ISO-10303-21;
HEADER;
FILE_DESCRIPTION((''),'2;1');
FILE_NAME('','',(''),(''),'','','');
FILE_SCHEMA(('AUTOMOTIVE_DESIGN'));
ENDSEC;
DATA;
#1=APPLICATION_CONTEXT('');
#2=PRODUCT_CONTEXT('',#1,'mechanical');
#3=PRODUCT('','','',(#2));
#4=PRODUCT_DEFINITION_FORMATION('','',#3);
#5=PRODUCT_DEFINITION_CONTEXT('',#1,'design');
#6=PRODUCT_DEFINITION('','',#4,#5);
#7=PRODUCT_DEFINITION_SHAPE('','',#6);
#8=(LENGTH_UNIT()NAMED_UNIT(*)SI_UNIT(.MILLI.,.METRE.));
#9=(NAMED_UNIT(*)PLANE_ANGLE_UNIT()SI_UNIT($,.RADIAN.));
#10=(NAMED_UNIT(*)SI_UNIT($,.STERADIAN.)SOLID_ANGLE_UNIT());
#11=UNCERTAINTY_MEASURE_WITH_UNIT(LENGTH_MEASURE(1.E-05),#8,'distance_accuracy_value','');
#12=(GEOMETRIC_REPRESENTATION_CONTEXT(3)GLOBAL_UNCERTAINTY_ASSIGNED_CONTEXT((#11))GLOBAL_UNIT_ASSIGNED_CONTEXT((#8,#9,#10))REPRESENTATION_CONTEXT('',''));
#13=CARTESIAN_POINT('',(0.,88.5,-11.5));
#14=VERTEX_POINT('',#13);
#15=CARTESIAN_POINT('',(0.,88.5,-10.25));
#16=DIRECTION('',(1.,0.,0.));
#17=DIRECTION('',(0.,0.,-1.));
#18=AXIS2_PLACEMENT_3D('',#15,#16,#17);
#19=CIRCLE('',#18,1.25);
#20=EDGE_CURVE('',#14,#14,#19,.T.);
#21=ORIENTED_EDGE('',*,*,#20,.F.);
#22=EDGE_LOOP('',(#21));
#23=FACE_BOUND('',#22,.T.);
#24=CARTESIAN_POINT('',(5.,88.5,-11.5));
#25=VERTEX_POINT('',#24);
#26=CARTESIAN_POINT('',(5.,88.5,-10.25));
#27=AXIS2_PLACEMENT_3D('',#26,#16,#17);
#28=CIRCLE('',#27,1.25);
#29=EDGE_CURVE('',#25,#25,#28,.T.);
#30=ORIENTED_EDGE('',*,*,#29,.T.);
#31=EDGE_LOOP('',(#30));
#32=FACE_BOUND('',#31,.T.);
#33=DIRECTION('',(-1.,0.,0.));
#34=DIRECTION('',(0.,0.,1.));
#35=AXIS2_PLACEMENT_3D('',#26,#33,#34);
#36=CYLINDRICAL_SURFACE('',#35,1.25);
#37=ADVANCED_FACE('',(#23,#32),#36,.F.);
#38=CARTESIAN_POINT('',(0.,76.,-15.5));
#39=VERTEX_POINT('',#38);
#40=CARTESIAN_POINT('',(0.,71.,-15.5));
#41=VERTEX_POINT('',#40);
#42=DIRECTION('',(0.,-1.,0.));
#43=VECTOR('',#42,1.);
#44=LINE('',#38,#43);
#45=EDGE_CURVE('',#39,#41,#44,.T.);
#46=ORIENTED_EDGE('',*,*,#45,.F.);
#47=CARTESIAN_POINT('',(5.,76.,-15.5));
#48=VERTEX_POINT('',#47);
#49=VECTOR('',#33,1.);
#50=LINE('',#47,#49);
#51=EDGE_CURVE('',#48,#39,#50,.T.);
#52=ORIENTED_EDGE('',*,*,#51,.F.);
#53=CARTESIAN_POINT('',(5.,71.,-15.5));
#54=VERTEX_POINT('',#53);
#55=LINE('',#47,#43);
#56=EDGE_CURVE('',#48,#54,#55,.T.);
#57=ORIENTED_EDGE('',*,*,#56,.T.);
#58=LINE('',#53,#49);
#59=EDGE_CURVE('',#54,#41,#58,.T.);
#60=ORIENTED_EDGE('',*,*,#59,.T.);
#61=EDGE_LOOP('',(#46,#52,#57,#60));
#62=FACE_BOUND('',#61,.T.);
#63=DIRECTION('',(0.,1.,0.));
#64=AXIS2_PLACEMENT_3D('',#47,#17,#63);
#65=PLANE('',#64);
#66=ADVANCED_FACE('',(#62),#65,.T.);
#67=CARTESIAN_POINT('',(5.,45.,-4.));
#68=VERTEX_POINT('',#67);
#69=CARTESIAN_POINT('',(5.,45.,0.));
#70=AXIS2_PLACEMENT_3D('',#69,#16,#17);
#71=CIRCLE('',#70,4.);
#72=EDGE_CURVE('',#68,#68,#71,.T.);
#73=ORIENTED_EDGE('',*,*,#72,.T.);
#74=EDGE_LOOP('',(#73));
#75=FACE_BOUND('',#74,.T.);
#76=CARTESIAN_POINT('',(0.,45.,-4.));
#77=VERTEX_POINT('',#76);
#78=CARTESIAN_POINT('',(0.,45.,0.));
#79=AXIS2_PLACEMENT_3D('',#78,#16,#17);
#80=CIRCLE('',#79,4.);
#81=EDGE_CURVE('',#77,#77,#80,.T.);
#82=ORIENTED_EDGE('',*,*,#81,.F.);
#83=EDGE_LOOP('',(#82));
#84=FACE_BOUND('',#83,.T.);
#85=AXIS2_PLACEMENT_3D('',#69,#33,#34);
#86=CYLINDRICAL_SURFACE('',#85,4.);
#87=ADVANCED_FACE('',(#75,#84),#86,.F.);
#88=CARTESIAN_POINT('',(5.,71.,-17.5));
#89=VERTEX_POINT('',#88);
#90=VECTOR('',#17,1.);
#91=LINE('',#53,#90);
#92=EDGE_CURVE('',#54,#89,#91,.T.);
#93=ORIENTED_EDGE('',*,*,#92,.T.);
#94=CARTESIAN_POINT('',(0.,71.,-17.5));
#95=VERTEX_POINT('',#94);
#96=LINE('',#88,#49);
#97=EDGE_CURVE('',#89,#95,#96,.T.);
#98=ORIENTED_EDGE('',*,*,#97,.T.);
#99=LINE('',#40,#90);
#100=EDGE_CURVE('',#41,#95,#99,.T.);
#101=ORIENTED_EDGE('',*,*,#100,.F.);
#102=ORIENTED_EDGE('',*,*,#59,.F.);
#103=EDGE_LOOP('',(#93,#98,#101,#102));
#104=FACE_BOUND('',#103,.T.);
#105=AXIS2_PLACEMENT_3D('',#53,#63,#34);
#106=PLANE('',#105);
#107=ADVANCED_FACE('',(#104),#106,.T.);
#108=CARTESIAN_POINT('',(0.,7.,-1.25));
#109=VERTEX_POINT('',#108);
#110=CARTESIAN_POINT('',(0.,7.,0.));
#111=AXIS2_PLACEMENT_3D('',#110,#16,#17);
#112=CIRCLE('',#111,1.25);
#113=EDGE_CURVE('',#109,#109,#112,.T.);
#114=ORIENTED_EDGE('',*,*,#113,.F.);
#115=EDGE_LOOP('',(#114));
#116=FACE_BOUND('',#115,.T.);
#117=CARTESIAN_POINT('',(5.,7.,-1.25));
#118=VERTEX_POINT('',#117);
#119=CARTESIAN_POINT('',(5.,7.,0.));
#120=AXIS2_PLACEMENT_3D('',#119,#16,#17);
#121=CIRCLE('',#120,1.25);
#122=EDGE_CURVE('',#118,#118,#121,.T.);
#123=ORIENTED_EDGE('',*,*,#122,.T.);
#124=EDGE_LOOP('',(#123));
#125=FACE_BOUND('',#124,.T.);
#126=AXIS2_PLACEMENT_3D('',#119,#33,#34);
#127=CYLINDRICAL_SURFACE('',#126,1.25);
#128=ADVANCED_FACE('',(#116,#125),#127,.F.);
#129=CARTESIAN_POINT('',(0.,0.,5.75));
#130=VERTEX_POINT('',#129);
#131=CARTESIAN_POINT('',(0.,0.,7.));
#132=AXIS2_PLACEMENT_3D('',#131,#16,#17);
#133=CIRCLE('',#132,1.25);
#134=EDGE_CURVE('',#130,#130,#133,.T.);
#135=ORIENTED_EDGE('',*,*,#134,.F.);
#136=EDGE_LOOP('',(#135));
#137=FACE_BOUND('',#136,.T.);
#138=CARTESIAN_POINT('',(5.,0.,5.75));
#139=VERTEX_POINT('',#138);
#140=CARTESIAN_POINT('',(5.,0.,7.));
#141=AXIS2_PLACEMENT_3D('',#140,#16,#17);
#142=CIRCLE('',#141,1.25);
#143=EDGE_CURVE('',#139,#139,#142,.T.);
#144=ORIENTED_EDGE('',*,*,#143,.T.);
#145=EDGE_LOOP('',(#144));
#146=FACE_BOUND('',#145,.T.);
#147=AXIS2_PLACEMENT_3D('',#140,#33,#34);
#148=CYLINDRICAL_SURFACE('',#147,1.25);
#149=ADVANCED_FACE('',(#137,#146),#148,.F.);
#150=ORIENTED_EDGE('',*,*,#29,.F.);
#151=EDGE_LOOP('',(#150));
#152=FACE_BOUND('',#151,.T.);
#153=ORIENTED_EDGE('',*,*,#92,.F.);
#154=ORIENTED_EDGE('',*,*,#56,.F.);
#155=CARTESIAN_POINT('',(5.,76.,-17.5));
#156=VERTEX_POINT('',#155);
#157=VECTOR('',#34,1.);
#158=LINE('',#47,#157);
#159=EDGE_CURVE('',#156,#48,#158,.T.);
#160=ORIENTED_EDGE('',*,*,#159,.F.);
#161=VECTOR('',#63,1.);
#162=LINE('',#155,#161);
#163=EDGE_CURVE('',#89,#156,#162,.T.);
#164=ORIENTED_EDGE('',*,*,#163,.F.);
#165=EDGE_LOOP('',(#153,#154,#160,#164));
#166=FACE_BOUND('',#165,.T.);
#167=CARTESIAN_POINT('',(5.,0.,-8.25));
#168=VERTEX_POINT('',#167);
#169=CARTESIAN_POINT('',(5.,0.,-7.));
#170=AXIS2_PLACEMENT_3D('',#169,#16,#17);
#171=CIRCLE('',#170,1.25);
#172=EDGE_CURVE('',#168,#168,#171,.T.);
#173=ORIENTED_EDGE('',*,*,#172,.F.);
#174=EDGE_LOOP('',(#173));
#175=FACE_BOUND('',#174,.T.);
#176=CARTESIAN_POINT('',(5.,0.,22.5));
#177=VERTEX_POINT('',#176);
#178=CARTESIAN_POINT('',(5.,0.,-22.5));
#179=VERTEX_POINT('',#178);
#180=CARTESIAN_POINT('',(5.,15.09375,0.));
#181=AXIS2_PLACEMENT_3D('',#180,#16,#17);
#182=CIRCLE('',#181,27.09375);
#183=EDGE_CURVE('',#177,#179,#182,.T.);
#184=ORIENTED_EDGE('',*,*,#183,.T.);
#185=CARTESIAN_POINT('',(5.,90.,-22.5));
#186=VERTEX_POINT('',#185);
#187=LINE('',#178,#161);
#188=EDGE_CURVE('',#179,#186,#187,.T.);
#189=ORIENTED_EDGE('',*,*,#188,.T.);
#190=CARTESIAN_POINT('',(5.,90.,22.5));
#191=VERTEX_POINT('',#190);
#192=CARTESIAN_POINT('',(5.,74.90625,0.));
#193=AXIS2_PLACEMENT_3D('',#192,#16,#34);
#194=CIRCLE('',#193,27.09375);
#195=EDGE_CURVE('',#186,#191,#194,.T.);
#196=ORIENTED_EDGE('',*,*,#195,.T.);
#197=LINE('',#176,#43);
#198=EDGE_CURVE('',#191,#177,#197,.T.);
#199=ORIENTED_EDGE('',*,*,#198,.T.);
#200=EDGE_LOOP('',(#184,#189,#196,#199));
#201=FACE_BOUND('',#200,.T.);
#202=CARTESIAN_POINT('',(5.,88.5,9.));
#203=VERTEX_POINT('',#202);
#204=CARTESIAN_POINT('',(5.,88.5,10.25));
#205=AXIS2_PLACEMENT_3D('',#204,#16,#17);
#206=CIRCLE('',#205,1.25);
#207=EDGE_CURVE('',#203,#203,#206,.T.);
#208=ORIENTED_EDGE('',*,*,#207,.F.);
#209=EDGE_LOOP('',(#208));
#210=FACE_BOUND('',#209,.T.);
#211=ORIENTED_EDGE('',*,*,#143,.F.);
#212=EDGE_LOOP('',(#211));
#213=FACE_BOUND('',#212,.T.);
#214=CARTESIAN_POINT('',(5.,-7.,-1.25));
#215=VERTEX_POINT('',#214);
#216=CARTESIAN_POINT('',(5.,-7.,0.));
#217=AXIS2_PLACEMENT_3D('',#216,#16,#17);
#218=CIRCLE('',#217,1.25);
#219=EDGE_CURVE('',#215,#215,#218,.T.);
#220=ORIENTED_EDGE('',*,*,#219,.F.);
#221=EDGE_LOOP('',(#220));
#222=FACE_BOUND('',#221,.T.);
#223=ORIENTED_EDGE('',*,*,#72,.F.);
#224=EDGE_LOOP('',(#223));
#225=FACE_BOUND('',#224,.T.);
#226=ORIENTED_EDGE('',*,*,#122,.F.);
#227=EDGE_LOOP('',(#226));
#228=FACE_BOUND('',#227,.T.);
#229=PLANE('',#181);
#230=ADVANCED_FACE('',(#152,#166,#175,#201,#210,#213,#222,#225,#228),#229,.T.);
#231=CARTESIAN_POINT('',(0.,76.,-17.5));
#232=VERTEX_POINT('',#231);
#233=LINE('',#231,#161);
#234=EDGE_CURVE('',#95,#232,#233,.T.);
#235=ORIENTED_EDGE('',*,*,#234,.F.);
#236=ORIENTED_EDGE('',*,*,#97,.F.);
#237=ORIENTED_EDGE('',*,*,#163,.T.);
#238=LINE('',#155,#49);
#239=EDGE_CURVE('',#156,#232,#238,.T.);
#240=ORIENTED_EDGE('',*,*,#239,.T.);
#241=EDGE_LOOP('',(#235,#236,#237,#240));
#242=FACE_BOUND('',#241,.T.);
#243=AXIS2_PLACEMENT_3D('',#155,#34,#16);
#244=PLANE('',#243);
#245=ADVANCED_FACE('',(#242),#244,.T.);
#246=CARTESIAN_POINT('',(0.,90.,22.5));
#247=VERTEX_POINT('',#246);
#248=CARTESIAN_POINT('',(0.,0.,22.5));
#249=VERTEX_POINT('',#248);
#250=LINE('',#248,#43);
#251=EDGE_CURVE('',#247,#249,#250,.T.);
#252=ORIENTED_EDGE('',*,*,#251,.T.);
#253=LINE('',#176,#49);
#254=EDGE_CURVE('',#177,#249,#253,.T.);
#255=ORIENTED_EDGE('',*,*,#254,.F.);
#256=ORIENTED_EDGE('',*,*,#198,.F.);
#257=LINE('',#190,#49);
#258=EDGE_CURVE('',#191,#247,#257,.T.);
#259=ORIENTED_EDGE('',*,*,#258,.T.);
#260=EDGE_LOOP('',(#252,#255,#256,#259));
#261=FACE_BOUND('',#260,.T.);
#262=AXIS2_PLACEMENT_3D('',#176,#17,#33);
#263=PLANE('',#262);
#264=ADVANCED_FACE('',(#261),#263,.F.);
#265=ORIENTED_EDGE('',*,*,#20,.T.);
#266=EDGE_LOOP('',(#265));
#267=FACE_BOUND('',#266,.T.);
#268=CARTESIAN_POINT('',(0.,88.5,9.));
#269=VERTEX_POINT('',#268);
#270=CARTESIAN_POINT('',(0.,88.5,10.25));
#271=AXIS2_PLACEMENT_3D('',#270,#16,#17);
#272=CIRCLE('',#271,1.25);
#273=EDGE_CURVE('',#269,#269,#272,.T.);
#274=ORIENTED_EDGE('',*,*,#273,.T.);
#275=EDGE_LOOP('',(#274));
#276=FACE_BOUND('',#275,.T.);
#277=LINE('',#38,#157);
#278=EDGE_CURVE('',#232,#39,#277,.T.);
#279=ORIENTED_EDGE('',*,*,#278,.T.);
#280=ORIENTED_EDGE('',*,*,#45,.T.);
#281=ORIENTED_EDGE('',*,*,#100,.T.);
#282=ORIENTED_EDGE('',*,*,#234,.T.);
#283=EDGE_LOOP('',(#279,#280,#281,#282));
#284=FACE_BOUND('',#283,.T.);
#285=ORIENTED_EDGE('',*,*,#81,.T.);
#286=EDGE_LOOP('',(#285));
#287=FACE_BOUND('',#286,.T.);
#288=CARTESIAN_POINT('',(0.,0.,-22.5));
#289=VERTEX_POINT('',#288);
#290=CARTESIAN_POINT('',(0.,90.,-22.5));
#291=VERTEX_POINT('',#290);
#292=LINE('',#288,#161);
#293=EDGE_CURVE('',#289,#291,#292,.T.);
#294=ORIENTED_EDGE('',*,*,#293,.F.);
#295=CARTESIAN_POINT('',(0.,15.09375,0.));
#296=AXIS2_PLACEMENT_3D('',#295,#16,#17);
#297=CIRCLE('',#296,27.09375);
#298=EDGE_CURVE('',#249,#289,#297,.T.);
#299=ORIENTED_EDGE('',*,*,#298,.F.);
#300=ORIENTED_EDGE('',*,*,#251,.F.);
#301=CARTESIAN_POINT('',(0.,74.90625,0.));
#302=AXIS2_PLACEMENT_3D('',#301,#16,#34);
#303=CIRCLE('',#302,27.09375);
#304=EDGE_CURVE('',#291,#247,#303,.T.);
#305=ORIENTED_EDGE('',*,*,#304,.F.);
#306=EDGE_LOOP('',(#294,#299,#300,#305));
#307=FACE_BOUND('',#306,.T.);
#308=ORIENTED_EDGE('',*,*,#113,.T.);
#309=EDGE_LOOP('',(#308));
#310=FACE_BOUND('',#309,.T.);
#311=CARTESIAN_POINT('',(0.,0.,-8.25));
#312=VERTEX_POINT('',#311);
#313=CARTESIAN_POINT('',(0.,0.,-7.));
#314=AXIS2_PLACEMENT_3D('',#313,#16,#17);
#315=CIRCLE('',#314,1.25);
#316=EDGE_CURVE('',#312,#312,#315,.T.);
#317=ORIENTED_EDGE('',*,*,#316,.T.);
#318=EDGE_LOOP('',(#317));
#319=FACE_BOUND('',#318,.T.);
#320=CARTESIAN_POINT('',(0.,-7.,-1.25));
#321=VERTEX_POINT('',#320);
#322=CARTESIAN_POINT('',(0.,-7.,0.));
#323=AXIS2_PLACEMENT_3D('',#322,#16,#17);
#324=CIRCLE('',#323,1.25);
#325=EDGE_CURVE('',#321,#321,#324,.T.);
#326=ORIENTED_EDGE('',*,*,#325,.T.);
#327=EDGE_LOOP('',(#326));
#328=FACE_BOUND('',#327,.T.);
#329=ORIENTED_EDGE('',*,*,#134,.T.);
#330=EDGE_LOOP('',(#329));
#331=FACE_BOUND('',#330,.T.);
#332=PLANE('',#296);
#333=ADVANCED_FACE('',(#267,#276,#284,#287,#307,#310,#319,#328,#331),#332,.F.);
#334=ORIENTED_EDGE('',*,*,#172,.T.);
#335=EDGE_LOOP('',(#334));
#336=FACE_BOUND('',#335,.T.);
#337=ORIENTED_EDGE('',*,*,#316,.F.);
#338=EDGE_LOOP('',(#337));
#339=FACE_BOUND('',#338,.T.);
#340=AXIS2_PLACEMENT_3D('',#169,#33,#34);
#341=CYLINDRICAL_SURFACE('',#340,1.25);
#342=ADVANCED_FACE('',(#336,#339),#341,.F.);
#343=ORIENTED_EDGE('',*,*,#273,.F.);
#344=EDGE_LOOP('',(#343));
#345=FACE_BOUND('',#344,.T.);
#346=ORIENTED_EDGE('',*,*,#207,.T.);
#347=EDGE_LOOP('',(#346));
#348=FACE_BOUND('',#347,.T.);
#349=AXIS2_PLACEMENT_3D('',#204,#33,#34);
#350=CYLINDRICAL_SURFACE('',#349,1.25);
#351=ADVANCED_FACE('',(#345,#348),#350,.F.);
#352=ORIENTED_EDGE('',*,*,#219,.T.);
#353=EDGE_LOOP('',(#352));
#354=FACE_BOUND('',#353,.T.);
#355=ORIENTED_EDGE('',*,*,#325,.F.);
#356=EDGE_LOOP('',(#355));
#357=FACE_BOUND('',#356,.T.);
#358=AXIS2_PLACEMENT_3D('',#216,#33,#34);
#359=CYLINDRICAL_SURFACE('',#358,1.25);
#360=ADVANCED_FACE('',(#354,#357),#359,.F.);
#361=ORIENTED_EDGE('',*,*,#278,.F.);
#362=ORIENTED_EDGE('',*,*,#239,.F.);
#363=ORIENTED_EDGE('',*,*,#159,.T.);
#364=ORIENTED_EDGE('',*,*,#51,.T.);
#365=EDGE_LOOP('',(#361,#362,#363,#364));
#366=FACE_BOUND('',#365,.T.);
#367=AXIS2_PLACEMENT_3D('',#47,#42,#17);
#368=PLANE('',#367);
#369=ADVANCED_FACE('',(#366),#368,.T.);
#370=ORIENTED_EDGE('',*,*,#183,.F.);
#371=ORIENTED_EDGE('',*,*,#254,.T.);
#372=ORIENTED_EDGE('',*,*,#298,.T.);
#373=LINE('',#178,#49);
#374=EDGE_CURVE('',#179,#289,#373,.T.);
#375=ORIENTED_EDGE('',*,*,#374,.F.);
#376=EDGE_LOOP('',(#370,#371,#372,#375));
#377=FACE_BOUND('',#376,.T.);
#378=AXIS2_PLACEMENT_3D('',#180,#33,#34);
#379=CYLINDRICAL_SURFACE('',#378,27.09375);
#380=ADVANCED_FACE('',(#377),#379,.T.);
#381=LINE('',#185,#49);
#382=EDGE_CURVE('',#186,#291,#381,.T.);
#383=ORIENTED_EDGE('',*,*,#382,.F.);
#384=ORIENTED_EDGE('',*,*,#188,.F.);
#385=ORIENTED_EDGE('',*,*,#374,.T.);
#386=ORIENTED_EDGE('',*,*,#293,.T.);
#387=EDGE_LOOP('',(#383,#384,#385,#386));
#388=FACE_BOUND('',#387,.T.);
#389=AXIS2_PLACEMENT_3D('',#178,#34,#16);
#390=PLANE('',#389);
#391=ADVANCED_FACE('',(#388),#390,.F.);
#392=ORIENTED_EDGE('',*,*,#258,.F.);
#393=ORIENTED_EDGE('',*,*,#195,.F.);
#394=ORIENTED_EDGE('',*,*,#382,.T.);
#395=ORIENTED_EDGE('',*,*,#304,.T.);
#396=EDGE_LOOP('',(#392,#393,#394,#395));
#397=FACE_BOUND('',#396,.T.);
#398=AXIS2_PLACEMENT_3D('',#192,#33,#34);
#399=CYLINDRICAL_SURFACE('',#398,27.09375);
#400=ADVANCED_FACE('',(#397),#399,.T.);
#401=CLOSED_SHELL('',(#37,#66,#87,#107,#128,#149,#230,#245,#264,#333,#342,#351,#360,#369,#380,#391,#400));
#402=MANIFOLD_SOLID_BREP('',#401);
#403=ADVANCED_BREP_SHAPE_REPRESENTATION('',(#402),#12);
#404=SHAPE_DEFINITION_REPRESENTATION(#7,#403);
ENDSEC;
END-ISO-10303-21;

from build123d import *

# Parameters (mm, degrees)
SKETCH1_R           = 1.25
SKETCH1_R_2         = 4
SKETCH1_W           = 2
SKETCH1_H           = 5
BOSS_EXTRUDE1_DEPTH = 5


with BuildPart() as part:
    # Sketch1 → Boss-Extrude1 (new body)
    with BuildSketch(Plane(origin=(0, 0, 0), x_dir=(0, 0, -1), z_dir=(1, 0, 0))):
        with BuildLine():
            Line((-22.5, 0), (-22.5, 90))
            ThreePointArc((-22.5, 90), (0, 102), (22.5, 90))
            Line((22.5, 90), (22.5, 0))
            ThreePointArc((22.5, 0), (0, -12), (-22.5, 0))
        make_face()
        with Locations((0, 7)):
            Circle(SKETCH1_R, mode=Mode.SUBTRACT)
        with Locations((7, 0)):
            Circle(SKETCH1_R, mode=Mode.SUBTRACT)
        with Locations((0, -7)):
            Circle(SKETCH1_R, mode=Mode.SUBTRACT)
        with Locations((-7, 0)):
            Circle(SKETCH1_R, mode=Mode.SUBTRACT)
        with Locations((-10.25, 88.5)):
            Circle(SKETCH1_R, mode=Mode.SUBTRACT)
        with Locations((10.25, 88.5)):
            Circle(SKETCH1_R, mode=Mode.SUBTRACT)
        with Locations((0, 45)):
            Circle(SKETCH1_R_2, mode=Mode.SUBTRACT)
        with Locations((16.5, 73.5)):
            Rectangle(SKETCH1_W, SKETCH1_H, mode=Mode.SUBTRACT)
    extrude(amount=BOSS_EXTRUDE1_DEPTH)


solid = part.part
